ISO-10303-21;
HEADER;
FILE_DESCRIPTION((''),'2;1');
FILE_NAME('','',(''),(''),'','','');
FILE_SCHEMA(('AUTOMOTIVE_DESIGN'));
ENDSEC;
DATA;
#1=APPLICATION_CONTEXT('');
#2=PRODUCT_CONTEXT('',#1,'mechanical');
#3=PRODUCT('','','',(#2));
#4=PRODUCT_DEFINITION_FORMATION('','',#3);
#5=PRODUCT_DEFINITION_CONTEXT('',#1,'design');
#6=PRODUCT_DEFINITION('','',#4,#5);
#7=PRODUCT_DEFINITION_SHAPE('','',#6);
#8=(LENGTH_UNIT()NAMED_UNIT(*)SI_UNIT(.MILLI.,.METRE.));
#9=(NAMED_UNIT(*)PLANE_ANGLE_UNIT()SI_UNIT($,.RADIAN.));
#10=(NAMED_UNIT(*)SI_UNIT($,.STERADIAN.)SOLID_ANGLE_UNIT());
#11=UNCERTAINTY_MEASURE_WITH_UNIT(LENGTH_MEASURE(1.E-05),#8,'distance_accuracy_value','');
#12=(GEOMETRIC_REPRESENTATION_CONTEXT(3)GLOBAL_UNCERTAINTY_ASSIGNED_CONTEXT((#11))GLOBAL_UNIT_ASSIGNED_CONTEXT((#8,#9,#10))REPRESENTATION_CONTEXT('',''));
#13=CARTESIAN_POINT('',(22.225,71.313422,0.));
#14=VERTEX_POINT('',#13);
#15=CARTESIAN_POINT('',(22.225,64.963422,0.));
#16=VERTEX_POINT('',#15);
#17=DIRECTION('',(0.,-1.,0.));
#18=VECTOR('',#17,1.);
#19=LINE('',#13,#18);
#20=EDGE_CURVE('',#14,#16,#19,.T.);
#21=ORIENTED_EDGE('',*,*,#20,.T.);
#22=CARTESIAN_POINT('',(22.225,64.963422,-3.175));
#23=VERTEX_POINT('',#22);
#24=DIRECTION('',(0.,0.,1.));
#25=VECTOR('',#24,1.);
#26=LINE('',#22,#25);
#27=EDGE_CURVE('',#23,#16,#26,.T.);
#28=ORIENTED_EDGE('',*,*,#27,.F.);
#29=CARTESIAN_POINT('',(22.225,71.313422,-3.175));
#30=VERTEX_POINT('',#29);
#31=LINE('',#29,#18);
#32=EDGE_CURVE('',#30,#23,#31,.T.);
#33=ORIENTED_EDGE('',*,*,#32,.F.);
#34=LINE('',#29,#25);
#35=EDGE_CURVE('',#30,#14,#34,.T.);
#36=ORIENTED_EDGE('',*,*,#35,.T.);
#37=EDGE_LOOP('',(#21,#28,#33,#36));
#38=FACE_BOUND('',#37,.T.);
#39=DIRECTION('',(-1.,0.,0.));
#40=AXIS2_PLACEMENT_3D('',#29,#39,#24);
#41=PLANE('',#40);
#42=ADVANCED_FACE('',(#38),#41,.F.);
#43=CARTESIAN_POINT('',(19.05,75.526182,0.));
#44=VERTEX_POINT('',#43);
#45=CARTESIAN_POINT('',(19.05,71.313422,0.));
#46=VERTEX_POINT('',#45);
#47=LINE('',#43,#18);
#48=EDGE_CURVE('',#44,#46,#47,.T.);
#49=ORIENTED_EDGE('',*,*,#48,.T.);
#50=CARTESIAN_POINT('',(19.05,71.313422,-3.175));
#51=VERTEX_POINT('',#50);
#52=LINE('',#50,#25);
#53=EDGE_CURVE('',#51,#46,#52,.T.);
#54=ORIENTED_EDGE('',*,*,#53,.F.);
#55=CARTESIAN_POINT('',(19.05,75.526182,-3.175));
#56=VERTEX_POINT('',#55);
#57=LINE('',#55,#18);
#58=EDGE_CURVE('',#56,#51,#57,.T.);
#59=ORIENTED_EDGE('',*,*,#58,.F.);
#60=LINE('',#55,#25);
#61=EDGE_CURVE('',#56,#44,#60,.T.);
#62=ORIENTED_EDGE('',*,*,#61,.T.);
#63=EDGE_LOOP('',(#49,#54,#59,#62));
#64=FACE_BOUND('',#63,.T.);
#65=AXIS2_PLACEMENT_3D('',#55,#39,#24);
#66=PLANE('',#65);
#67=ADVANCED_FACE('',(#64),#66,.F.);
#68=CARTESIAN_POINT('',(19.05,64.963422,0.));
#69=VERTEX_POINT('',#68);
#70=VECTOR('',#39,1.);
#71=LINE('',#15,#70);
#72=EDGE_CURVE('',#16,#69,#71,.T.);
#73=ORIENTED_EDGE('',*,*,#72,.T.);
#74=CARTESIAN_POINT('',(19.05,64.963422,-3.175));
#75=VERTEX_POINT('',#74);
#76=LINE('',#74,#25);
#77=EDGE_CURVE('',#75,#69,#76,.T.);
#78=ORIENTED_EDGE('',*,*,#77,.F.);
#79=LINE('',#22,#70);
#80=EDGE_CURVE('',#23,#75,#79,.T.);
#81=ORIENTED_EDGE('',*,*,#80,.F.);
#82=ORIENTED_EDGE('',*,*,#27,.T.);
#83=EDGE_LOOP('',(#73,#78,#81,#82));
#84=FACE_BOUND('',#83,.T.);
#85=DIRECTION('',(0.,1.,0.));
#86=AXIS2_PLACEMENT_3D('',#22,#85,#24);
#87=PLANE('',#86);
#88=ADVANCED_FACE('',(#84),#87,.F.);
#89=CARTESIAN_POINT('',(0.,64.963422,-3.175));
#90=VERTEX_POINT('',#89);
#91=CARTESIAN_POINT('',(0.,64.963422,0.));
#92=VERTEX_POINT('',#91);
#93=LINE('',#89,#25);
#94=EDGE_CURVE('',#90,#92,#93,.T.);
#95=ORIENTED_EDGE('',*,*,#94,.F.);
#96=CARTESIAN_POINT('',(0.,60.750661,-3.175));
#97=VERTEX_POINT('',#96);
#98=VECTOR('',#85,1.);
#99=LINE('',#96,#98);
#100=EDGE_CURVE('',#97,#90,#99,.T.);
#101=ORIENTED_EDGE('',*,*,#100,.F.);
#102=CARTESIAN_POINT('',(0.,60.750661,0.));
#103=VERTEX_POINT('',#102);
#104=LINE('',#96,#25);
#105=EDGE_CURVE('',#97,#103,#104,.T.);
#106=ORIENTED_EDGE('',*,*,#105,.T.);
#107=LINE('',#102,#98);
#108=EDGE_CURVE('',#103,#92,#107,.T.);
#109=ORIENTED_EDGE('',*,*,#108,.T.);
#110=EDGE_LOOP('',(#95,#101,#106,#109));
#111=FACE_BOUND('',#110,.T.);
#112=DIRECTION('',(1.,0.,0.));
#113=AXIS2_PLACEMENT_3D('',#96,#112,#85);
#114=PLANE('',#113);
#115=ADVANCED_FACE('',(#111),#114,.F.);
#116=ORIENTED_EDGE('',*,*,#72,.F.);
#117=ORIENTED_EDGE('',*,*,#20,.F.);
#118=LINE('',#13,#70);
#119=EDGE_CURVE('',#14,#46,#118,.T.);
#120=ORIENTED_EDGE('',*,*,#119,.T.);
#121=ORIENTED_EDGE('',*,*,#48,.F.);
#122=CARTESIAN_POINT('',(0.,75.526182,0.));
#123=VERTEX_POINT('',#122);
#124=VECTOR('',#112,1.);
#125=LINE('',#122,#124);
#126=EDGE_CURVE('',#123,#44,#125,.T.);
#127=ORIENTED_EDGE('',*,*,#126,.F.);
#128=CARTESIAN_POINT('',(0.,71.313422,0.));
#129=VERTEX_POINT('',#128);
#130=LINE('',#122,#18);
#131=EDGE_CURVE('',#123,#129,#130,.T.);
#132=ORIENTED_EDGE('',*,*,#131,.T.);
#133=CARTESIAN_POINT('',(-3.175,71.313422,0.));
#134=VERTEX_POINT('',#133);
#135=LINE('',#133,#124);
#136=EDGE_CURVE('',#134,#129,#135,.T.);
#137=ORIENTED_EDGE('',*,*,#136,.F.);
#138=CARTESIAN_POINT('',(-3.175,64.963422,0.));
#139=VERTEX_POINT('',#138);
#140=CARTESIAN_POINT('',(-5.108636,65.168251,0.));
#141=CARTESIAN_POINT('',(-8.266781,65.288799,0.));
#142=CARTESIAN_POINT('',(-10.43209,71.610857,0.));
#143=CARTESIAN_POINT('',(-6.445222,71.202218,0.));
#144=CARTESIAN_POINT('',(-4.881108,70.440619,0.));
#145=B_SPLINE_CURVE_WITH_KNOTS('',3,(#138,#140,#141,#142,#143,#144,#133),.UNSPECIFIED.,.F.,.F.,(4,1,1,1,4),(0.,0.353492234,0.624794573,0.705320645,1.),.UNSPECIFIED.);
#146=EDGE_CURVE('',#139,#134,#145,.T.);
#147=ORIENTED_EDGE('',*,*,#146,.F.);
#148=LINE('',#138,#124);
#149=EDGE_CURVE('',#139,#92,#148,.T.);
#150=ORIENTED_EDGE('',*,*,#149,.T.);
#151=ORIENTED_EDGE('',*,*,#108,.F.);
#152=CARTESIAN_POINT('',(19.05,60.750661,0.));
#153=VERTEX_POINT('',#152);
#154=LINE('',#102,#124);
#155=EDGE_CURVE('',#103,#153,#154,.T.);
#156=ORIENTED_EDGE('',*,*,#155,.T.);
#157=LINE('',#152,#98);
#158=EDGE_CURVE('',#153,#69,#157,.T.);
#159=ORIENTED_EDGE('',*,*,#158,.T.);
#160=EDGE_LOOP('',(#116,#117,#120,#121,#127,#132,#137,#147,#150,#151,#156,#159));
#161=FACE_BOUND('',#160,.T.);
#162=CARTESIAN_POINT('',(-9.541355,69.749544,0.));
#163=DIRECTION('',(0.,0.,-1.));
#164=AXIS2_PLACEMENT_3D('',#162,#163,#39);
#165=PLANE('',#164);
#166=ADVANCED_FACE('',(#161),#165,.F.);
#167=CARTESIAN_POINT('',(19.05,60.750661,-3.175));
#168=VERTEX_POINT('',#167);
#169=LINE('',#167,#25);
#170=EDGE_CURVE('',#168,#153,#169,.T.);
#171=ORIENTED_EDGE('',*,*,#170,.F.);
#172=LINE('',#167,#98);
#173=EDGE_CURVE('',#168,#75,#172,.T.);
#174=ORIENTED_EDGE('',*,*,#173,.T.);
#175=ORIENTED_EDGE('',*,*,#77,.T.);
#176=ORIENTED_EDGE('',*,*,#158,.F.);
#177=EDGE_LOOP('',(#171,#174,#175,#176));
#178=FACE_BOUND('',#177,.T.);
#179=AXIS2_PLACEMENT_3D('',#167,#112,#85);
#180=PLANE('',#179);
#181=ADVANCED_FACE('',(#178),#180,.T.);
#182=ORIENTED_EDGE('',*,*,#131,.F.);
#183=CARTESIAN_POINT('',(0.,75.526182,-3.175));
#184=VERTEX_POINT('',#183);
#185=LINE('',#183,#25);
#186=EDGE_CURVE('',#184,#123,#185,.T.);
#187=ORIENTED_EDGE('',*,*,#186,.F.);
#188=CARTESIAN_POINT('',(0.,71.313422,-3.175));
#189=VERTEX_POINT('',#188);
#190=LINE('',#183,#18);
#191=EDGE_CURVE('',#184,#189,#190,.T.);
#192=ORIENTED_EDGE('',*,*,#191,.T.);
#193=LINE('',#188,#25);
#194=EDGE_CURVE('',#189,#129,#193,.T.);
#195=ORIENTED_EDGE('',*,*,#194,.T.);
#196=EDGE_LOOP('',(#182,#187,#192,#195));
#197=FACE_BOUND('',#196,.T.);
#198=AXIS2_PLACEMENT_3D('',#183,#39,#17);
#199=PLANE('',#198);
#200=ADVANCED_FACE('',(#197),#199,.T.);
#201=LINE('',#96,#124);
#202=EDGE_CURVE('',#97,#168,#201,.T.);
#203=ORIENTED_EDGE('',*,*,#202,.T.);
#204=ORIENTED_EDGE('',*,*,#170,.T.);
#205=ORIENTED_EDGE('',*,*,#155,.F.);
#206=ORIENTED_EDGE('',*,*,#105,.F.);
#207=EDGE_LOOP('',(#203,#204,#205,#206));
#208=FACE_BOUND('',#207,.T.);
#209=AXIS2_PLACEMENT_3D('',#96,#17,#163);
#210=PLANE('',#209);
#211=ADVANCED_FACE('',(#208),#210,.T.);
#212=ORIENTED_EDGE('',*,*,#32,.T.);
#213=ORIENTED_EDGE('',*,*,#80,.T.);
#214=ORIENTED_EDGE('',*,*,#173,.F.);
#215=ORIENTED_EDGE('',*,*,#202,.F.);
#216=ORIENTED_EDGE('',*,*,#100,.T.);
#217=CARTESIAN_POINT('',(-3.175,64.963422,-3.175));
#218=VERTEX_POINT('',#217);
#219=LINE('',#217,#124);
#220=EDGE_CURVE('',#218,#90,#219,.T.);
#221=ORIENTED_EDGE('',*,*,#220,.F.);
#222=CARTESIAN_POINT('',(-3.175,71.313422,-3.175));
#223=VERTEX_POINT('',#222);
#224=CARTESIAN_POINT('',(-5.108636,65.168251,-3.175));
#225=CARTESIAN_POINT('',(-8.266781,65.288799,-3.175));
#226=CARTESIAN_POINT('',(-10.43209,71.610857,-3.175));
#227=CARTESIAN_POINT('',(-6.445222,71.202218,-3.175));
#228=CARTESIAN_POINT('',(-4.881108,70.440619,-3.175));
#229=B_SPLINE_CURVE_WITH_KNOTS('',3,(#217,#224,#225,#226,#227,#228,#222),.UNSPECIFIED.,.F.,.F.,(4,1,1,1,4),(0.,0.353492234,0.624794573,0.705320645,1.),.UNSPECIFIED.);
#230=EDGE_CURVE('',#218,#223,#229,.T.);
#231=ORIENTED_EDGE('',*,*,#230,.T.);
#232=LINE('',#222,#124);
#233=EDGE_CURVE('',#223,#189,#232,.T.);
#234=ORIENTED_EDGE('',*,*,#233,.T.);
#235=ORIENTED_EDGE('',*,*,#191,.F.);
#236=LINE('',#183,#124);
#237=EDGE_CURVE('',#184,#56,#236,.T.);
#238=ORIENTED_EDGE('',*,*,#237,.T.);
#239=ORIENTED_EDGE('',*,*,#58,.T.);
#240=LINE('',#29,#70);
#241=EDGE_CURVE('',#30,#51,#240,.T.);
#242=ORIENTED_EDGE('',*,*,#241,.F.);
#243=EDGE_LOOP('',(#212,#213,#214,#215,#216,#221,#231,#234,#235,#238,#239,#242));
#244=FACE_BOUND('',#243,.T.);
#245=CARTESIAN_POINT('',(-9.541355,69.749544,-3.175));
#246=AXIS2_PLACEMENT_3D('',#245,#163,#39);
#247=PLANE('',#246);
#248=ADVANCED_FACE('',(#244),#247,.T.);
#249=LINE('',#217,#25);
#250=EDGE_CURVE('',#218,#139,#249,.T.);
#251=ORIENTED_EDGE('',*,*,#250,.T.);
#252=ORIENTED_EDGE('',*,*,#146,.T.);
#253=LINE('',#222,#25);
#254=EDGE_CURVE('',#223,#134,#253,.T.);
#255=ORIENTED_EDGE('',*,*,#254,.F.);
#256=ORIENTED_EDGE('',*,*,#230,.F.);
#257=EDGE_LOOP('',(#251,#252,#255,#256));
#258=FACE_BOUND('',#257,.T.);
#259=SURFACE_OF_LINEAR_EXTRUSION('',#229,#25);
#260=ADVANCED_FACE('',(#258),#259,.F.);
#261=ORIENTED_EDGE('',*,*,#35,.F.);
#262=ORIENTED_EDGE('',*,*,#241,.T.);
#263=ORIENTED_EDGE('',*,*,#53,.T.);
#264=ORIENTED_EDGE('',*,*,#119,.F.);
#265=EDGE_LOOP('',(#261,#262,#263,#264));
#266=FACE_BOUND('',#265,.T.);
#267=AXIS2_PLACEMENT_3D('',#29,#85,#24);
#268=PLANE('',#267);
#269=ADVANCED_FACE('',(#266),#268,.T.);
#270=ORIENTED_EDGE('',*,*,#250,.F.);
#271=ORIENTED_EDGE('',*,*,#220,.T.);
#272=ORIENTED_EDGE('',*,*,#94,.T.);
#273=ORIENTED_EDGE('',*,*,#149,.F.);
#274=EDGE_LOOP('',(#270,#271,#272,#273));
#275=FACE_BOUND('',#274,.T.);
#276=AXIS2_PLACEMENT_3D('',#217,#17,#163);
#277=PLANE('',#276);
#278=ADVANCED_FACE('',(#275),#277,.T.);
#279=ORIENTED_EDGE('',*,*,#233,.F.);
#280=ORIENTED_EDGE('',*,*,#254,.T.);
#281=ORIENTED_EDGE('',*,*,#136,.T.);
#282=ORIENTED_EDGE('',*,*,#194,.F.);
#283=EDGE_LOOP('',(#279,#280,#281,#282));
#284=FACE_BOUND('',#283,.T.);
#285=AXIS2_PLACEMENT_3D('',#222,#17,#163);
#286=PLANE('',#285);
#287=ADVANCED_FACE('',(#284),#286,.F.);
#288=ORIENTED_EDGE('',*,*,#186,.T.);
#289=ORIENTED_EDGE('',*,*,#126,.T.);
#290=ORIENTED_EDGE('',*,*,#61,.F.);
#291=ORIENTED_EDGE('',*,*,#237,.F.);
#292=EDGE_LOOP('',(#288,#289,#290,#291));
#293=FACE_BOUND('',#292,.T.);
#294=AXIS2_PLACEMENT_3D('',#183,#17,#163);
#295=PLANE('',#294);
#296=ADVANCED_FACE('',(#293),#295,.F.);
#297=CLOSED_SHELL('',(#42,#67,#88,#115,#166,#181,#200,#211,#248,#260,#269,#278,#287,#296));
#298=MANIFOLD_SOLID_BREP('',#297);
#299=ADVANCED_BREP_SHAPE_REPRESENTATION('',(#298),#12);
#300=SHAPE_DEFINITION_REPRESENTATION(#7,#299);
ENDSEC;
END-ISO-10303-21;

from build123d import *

# Parameters (mm, degrees)
BOSS_EXTRUDE1_DEPTH = 3.175


with BuildPart() as part:
    # Sketch1 → Boss-Extrude1 (new body)
    with BuildSketch(Plane.XY):
        with BuildLine():
            Line((0, 75.526182311), (19.05, 75.526182311))
            Line((19.05, 75.526182311), (19.05, 71.313421555))
            Line((19.05, 71.313421555), (22.225, 71.313421555))
            Line((22.225, 71.313421555), (22.225, 64.963421555))
            Line((22.225, 64.963421555), (19.05, 64.963421555))
            Line((19.05, 64.963421555), (19.05, 60.750660799))
            Line((19.05, 60.750660799), (0, 60.750660799))
            Line((0, 60.750660799), (0, 64.963421555))
            Line((0, 64.963421555), (-3.175, 64.963421555))
            add(Edge.make_bspline(
                [(-3.175, 64.963421555), (-5.108636106, 65.168250885), (-8.266780599, 65.288799196), (-10.432089719, 71.610856743), (-6.445221982, 71.202217844), (-4.881107751, 70.440619428), (-3.175, 71.313421555)],
                knots=[0, 0, 0, 0, 0.353492234, 0.624794573, 0.705320645, 1, 1, 1, 1], degree=3))
            Line((-3.175, 71.313421555), (0, 71.313421555))
            Line((0, 71.313421555), (0, 75.526182311))
        make_face()
    extrude(amount=-BOSS_EXTRUDE1_DEPTH)


solid = part.part
